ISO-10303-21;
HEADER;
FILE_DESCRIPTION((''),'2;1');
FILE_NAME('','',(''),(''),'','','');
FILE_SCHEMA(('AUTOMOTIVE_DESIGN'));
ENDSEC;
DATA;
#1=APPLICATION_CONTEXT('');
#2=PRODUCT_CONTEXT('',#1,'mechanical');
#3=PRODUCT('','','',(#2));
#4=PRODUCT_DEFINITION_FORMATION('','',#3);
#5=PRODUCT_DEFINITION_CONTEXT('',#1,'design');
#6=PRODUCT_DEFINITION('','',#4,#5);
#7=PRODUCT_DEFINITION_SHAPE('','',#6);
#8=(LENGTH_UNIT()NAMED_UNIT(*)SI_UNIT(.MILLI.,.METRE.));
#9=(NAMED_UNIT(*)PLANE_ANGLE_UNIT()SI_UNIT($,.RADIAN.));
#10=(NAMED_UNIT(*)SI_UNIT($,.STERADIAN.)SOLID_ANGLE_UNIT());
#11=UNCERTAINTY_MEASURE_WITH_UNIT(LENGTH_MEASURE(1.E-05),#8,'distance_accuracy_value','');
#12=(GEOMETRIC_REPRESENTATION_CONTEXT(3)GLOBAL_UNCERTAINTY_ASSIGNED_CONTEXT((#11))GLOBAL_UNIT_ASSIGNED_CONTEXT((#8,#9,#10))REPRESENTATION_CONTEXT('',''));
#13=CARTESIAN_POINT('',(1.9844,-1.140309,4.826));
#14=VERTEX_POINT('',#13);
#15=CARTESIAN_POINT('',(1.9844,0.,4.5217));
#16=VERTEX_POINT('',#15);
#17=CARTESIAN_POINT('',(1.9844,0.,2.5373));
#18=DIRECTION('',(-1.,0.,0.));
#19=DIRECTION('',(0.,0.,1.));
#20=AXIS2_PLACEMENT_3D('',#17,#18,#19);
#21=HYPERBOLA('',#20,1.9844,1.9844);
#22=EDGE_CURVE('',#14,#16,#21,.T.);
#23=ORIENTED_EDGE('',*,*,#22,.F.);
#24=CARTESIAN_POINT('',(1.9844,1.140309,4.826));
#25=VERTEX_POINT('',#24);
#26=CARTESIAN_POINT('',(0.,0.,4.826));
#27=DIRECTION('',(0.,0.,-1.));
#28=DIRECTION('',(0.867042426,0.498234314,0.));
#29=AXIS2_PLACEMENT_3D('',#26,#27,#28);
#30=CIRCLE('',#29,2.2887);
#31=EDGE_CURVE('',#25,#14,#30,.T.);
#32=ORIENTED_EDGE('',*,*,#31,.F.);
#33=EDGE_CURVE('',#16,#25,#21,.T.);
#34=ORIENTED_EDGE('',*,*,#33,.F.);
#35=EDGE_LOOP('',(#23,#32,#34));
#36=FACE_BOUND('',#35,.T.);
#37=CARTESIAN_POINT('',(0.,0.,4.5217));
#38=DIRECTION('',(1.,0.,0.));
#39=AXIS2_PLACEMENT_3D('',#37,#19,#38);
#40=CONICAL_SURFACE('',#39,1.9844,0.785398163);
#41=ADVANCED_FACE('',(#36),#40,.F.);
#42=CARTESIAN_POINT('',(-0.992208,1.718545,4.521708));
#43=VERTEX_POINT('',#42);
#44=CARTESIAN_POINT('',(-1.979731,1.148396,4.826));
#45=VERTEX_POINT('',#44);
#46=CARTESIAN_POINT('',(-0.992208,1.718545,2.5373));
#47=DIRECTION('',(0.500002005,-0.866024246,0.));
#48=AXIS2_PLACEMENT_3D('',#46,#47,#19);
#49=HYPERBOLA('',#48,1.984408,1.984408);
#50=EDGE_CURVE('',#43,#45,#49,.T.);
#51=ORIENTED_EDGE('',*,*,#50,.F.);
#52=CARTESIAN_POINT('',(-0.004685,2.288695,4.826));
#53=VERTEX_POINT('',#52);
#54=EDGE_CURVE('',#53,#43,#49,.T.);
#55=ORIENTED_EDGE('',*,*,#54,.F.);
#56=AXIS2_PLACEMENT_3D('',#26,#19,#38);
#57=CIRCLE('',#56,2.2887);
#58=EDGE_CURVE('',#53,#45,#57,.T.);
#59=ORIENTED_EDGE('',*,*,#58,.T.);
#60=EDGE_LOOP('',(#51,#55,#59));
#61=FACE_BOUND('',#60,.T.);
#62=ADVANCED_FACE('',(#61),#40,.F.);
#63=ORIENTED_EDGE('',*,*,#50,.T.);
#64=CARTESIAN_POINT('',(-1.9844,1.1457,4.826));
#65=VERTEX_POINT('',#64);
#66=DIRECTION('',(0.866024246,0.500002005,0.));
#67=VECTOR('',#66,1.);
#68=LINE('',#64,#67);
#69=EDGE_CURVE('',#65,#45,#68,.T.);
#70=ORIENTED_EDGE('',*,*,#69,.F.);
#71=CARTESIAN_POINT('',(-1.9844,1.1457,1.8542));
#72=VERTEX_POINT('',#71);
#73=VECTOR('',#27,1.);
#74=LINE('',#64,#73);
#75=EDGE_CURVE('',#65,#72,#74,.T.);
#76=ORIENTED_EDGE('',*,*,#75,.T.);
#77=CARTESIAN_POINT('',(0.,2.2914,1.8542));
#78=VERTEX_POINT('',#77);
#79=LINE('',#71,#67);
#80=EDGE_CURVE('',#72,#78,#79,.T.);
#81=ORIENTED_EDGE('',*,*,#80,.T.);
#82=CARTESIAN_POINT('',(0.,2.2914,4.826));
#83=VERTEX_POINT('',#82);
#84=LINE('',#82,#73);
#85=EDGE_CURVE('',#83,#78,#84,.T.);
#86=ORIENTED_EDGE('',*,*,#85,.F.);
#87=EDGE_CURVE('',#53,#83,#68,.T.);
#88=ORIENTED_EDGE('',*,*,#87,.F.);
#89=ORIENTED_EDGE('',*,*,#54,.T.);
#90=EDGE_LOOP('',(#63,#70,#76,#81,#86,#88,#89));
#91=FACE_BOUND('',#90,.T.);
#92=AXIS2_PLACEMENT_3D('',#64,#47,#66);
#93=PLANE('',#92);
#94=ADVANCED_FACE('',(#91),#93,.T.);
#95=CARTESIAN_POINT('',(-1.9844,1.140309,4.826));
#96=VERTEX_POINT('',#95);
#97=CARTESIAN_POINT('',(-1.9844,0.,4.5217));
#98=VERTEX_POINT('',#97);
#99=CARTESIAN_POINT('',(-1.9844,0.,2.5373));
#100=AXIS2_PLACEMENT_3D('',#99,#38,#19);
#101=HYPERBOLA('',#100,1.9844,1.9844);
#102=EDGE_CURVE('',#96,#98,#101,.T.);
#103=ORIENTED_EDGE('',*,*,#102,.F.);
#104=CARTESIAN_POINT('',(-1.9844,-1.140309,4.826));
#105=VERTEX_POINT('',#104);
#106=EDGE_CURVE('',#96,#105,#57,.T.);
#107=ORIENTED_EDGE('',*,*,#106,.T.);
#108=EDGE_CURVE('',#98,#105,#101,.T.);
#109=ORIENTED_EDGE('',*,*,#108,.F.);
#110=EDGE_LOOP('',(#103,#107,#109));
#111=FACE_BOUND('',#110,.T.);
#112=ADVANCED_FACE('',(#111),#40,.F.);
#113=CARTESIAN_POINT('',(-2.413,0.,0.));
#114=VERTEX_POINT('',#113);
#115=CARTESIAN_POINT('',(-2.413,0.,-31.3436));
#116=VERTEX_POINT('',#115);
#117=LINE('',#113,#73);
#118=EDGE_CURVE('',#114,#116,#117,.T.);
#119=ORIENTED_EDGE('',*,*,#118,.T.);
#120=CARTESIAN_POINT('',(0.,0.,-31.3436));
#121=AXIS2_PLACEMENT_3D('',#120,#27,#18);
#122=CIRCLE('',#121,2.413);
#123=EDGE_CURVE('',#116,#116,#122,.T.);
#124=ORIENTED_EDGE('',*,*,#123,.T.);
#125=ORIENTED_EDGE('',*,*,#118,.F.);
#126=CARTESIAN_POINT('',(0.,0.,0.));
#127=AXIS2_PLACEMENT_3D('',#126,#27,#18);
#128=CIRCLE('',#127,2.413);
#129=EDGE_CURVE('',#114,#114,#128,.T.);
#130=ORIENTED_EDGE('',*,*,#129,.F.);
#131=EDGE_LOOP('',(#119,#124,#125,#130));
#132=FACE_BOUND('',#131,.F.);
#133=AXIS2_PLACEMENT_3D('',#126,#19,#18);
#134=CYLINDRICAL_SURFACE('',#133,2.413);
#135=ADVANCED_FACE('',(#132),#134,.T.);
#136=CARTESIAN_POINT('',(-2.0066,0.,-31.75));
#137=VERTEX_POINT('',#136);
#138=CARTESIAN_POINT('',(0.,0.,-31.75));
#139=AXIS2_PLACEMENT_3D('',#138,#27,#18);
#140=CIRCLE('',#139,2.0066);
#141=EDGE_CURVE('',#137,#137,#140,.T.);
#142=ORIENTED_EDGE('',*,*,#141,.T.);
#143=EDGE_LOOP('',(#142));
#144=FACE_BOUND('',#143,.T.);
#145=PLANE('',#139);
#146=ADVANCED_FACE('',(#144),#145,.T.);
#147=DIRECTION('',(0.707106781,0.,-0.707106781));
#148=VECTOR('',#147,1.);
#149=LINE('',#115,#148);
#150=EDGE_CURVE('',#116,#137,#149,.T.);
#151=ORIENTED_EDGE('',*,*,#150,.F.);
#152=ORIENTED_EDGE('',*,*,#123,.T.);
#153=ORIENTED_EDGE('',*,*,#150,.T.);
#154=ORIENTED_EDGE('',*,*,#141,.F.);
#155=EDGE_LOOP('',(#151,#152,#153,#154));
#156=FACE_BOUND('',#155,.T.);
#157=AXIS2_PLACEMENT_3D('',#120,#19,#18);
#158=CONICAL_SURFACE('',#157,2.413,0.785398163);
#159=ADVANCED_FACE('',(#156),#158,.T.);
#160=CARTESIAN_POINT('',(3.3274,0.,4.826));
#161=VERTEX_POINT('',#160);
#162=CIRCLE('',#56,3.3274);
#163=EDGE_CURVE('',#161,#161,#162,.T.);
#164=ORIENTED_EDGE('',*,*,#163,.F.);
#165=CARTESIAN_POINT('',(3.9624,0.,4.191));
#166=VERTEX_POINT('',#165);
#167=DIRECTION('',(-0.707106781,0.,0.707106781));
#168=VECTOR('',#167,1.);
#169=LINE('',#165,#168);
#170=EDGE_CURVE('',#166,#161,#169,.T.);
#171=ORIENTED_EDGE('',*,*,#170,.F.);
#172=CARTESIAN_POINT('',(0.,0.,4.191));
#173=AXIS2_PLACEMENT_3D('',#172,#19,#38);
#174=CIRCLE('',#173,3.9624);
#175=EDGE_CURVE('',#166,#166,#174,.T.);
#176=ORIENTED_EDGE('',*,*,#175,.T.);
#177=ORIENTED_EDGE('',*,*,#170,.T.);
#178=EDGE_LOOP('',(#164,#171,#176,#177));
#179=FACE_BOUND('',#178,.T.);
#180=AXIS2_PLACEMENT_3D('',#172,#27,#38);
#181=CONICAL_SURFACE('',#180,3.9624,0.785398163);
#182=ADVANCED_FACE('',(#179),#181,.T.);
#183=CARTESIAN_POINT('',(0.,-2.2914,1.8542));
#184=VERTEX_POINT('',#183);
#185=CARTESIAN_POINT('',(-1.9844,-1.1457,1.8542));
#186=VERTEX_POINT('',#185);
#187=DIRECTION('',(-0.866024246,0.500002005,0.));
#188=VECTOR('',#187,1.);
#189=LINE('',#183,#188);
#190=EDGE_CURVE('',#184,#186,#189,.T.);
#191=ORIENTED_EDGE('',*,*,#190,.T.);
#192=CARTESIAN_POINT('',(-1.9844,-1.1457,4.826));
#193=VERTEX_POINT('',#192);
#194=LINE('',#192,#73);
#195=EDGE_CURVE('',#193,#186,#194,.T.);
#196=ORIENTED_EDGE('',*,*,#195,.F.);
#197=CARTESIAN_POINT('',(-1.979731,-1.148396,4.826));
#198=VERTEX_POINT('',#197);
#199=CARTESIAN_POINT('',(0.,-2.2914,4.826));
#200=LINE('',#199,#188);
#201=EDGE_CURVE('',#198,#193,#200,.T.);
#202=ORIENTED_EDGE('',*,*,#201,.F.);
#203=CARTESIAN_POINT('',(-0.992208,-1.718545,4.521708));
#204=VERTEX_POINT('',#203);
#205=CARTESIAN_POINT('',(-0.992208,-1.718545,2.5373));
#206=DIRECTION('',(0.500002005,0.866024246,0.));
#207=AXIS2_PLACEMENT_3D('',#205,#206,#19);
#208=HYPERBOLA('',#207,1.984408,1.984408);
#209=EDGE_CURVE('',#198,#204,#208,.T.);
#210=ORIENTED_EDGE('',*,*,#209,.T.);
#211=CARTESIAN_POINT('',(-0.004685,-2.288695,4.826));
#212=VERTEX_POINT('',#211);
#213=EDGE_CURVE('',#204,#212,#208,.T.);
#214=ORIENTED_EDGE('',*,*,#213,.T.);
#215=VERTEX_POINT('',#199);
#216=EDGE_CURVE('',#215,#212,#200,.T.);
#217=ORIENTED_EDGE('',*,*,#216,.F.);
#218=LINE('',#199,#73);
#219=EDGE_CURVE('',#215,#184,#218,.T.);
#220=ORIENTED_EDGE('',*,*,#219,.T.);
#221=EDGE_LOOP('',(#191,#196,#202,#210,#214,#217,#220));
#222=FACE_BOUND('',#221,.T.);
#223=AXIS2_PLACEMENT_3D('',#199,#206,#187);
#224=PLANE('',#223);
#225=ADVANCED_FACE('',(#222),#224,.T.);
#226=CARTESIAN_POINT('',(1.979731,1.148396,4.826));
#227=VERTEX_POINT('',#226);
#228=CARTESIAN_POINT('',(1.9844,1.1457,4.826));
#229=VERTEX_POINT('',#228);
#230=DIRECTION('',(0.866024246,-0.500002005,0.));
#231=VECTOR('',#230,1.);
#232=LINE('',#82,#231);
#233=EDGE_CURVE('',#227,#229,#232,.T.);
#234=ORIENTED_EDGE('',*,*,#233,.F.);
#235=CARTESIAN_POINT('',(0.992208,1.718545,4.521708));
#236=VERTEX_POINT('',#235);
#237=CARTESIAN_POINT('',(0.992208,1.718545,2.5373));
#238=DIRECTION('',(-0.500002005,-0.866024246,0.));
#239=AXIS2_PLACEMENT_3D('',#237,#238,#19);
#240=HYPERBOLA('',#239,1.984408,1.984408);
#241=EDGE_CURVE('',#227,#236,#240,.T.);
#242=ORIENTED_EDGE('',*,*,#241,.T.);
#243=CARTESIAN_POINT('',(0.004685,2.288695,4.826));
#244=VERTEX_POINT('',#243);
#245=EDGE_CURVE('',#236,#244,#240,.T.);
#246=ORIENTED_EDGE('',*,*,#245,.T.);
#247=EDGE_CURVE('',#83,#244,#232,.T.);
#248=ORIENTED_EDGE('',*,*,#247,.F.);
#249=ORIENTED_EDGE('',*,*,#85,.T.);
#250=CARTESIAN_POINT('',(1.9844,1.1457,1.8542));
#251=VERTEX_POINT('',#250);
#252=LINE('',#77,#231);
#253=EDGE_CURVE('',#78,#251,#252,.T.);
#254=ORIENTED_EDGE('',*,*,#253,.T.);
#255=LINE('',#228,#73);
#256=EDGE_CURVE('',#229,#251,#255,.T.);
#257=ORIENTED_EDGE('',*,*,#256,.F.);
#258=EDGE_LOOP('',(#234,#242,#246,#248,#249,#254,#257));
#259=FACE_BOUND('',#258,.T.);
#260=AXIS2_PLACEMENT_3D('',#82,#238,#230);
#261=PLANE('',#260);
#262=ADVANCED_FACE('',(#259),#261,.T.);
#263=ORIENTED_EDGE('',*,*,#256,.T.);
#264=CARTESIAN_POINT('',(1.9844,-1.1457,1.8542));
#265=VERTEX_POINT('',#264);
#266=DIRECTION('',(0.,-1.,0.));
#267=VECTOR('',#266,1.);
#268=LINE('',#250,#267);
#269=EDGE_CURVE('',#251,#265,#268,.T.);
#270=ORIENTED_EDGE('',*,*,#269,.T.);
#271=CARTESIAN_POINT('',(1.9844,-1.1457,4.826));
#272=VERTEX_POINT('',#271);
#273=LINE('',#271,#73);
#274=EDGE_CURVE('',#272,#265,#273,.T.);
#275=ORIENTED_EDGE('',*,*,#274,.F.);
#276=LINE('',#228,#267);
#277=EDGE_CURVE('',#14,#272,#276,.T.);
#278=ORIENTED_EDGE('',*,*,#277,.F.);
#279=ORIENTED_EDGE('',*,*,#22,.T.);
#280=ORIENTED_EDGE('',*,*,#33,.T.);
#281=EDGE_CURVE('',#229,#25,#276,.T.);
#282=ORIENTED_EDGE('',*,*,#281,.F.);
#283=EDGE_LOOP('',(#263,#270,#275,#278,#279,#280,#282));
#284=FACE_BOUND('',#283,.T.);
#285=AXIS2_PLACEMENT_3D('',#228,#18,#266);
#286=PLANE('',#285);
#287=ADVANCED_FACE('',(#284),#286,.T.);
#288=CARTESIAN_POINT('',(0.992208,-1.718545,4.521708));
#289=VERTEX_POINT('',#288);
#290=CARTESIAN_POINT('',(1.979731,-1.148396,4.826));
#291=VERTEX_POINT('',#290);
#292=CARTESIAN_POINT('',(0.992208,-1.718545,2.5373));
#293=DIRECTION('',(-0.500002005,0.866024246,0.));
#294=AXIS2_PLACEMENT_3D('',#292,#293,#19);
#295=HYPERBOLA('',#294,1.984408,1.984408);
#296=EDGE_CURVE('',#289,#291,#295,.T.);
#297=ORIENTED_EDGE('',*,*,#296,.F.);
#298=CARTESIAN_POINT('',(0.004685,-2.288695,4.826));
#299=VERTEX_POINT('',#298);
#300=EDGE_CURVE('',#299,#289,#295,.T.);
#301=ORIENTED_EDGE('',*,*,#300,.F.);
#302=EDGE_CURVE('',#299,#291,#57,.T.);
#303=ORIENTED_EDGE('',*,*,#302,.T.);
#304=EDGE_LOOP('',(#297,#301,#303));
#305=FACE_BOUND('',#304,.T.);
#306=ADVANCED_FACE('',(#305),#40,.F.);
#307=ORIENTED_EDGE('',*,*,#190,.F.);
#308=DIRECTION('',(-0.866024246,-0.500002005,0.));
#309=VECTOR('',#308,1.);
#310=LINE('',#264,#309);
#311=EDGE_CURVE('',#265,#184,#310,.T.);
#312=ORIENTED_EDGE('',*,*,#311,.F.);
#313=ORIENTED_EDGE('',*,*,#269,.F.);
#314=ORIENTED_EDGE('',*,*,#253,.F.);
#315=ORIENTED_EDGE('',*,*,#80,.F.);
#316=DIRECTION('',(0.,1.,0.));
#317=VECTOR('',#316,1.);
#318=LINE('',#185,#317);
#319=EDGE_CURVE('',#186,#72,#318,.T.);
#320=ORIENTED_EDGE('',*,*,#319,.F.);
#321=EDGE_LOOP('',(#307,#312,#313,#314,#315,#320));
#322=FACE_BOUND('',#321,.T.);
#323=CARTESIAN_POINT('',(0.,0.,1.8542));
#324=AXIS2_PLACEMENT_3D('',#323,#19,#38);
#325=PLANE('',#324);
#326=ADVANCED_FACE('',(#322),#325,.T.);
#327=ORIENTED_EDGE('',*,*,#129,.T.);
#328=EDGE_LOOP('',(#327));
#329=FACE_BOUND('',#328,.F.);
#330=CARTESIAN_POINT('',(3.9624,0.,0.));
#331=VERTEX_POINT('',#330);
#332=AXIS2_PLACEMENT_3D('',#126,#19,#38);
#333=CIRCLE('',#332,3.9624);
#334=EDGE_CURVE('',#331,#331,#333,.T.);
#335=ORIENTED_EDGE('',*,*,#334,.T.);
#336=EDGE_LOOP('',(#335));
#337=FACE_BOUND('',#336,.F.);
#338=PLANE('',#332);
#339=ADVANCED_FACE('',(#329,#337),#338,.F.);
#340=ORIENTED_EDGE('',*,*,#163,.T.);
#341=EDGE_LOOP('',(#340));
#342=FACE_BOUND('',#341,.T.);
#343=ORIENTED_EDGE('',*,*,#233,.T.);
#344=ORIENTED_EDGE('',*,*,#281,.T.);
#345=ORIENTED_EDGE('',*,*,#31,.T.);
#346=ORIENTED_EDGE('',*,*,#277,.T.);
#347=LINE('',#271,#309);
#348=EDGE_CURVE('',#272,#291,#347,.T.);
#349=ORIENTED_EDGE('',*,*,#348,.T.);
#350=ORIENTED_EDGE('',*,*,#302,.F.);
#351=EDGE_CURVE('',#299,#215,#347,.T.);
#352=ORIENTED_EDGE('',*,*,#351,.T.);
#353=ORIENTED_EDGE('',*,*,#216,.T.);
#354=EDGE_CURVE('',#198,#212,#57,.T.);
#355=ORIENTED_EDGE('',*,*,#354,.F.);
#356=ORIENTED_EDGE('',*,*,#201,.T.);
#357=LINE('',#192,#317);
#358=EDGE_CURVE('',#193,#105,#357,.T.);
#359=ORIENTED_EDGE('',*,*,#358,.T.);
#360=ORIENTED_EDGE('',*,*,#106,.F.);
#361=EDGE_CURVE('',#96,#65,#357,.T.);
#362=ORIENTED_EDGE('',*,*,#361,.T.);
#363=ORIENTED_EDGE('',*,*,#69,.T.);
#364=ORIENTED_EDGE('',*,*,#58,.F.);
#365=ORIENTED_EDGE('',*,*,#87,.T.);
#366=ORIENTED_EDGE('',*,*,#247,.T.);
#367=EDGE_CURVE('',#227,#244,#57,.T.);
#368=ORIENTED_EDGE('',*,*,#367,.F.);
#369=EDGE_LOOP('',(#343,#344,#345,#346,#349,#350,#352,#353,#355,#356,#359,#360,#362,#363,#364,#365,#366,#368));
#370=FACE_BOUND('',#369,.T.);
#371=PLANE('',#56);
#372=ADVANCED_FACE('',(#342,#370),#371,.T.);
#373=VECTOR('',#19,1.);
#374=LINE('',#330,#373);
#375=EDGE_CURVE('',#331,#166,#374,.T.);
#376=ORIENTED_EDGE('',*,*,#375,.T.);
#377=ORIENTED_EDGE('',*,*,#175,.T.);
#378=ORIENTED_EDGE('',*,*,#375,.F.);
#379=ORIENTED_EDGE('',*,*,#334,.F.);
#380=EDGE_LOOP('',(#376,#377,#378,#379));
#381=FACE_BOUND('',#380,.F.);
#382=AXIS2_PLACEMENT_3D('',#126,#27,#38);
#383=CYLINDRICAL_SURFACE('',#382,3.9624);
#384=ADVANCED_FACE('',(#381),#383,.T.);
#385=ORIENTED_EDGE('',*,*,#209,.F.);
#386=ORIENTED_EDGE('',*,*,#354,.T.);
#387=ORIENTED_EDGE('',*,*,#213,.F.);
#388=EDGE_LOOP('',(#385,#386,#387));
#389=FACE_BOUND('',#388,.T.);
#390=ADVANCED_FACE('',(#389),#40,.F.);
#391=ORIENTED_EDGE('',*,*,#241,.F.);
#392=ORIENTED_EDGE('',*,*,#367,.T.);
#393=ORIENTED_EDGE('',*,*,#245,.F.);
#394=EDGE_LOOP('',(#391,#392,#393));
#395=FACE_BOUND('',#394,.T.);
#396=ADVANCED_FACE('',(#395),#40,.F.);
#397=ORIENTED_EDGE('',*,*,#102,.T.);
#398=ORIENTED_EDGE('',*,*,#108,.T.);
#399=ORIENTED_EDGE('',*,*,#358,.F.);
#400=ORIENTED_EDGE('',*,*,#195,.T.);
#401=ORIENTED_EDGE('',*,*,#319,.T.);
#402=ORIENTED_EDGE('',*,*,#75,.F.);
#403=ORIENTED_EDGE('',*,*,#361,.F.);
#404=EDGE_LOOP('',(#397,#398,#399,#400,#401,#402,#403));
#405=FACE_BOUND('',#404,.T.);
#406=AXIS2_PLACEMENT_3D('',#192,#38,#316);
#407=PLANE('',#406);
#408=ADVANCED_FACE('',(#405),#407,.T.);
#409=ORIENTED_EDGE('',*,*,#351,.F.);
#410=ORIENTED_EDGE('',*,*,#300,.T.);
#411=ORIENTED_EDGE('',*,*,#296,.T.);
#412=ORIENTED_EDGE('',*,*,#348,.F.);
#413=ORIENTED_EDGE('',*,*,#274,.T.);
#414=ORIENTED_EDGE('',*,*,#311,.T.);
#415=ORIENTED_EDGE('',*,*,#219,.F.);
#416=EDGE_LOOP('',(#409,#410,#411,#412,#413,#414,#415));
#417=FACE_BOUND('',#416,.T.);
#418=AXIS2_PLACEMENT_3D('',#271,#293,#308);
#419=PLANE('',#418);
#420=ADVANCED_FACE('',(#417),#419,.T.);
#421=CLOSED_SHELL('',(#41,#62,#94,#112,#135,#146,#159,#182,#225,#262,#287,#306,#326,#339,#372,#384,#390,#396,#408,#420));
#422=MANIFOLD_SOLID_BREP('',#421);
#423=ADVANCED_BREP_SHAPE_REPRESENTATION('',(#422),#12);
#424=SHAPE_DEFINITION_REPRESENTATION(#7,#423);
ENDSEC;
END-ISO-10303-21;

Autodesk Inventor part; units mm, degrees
ref_plane "YZ Plane" through (0, 0, 0) normal (1, 0, 0) x (0, 1, 0)
ref_plane "XZ Plane" through (0, 0, 0) normal (0, 1, 0) x (-1, 0, 0)
ref_plane "XY Plane" through (0, 0, 0) normal (0, 0, 1) x (1, 0, 0)
sketch "Sketch1" plane through (0, 0, 0) normal (0, 0, 1) x (1, 0, 0)
  circle A0 centre (0, 0) radius 3.9624
  dimension "cap_diam" = 7.9248
extrude "Extrusion1" add sketch "Sketch1" along normal blind 4.826
sketch "Sketch2" plane through (0, 0, 0) normal (0, 0, -1) x (-1, 0, 0)
  circle A0 centre (0, 0) radius 3.9624 projected
  circle A1 centre (0, 0) radius 2.413
  dimension "thread_diam" = 4.826
extrude "Extrusion2" add sketch "Sketch2" along normal blind 31.75 contours A1
thread "Thread1" size "10-32 UNF" class "2A" standard "ANSI Unified Screw Threads" length 25.4
chamfer "Chamfer1" distance 0.4064 angle 45 1 edges at (2.413, 0, -31.75)
chamfer "Chamfer2" distance 0.635 angle 45 1 edges at (-3.9624, 0, 4.826)
sketch "Sketch4" plane through (0, 0, 4.826) normal (0, 0, 1) x (1, 0, 0)
  circle A0 centre (0, 0) radius 3.3274 projected
  circle A1 centre (0, 0) radius 1.9844
  dimension "d21" = 3.9688
extrude "Extrusion4" cut sketch "Sketch4" against normal blind 0.3048 contours A1
chamfer "Chamfer3" distance 0.3048 angle 45 1 edges at (-1.9844, 0, 4.826)
sketch "Sketch5" plane through (0, 0, 4.826) normal (0, 0, 1) x (1, 0, 0)
  circle A0 centre (0, 0) radius 2.2892 construction
  line L0 (0, 2.2914) -> (1.9844, 1.1457)
  line L1 (1.9844, 1.1457) -> (1.9844, -1.1457)
  line L2 (1.9844, -1.1457) -> (0, -2.2914)
  line L3 (0, -2.2914) -> (-1.9844, -1.1457)
  line L4 (-1.9844, -1.1457) -> (-1.9844, 1.1457)
  line L5 (-1.9844, 1.1457) -> (0, 2.2914)
  dimension "d27" = 3.9688
extrude "Extrusion5" cut sketch "Sketch5" against normal blind 2.9718
equation "\"d21\" = hex_diam"
equation "\"hex_diam\" = 3.96875"
properties part number "10-32 x1000" material "Steel"
